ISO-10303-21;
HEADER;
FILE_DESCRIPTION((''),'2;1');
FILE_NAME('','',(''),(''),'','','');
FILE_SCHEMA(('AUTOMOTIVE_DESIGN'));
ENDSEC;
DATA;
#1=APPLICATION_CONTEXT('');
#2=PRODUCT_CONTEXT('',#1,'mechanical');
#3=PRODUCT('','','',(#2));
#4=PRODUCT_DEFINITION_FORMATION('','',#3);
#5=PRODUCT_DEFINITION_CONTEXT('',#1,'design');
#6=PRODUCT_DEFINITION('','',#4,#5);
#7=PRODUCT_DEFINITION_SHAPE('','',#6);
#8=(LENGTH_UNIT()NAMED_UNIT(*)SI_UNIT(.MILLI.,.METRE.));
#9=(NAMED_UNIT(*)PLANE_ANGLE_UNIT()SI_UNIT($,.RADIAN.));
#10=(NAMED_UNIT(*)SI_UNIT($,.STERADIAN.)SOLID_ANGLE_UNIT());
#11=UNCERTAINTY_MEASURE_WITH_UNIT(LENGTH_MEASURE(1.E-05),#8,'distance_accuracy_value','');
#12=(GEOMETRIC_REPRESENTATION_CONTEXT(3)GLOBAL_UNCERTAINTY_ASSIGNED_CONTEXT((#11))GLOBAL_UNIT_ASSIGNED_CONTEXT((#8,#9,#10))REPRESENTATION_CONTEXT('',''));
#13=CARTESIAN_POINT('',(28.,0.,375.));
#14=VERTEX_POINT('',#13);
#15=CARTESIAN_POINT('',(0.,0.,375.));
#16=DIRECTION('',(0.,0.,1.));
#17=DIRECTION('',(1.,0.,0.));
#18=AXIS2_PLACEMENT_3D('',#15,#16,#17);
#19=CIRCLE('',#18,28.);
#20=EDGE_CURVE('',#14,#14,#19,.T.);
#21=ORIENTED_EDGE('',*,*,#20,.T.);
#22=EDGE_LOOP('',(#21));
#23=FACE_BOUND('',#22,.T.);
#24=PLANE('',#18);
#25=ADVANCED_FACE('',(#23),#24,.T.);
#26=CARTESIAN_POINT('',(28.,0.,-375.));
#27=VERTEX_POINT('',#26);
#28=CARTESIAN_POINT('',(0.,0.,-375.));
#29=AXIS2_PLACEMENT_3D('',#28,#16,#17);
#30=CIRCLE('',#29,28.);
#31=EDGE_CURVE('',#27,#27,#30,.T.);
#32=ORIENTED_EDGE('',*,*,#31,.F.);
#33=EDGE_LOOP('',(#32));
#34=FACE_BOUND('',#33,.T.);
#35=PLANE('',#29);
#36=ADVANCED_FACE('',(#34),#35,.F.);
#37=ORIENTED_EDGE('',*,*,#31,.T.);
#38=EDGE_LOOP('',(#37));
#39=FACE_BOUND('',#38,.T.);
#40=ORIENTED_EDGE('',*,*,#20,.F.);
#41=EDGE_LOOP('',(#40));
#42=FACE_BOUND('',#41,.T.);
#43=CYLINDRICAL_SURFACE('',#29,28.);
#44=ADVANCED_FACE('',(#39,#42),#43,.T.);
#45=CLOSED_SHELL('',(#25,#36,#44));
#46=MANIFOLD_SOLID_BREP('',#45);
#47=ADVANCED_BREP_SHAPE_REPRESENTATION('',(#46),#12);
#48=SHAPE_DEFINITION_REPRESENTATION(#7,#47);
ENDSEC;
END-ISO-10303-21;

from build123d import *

# Parameters (mm, degrees)
ESTRUSIONE_ESTRUSIONE1_DEPTH      = 375
ESTRUSIONE_ESTRUSIONE1_DEPTH_BACK = 375
SCHIZZO1_R                        = 28


with BuildPart() as part:
    # Schizzo1 → Estrusione-Estrusione1 (new, two sides: drawn at the far end of the back side and taken through both)
    with BuildSketch(Plane.XY.offset(-ESTRUSIONE_ESTRUSIONE1_DEPTH_BACK)):
        Circle(SCHIZZO1_R)
    extrude(amount=ESTRUSIONE_ESTRUSIONE1_DEPTH + ESTRUSIONE_ESTRUSIONE1_DEPTH_BACK)


solid = part.part
